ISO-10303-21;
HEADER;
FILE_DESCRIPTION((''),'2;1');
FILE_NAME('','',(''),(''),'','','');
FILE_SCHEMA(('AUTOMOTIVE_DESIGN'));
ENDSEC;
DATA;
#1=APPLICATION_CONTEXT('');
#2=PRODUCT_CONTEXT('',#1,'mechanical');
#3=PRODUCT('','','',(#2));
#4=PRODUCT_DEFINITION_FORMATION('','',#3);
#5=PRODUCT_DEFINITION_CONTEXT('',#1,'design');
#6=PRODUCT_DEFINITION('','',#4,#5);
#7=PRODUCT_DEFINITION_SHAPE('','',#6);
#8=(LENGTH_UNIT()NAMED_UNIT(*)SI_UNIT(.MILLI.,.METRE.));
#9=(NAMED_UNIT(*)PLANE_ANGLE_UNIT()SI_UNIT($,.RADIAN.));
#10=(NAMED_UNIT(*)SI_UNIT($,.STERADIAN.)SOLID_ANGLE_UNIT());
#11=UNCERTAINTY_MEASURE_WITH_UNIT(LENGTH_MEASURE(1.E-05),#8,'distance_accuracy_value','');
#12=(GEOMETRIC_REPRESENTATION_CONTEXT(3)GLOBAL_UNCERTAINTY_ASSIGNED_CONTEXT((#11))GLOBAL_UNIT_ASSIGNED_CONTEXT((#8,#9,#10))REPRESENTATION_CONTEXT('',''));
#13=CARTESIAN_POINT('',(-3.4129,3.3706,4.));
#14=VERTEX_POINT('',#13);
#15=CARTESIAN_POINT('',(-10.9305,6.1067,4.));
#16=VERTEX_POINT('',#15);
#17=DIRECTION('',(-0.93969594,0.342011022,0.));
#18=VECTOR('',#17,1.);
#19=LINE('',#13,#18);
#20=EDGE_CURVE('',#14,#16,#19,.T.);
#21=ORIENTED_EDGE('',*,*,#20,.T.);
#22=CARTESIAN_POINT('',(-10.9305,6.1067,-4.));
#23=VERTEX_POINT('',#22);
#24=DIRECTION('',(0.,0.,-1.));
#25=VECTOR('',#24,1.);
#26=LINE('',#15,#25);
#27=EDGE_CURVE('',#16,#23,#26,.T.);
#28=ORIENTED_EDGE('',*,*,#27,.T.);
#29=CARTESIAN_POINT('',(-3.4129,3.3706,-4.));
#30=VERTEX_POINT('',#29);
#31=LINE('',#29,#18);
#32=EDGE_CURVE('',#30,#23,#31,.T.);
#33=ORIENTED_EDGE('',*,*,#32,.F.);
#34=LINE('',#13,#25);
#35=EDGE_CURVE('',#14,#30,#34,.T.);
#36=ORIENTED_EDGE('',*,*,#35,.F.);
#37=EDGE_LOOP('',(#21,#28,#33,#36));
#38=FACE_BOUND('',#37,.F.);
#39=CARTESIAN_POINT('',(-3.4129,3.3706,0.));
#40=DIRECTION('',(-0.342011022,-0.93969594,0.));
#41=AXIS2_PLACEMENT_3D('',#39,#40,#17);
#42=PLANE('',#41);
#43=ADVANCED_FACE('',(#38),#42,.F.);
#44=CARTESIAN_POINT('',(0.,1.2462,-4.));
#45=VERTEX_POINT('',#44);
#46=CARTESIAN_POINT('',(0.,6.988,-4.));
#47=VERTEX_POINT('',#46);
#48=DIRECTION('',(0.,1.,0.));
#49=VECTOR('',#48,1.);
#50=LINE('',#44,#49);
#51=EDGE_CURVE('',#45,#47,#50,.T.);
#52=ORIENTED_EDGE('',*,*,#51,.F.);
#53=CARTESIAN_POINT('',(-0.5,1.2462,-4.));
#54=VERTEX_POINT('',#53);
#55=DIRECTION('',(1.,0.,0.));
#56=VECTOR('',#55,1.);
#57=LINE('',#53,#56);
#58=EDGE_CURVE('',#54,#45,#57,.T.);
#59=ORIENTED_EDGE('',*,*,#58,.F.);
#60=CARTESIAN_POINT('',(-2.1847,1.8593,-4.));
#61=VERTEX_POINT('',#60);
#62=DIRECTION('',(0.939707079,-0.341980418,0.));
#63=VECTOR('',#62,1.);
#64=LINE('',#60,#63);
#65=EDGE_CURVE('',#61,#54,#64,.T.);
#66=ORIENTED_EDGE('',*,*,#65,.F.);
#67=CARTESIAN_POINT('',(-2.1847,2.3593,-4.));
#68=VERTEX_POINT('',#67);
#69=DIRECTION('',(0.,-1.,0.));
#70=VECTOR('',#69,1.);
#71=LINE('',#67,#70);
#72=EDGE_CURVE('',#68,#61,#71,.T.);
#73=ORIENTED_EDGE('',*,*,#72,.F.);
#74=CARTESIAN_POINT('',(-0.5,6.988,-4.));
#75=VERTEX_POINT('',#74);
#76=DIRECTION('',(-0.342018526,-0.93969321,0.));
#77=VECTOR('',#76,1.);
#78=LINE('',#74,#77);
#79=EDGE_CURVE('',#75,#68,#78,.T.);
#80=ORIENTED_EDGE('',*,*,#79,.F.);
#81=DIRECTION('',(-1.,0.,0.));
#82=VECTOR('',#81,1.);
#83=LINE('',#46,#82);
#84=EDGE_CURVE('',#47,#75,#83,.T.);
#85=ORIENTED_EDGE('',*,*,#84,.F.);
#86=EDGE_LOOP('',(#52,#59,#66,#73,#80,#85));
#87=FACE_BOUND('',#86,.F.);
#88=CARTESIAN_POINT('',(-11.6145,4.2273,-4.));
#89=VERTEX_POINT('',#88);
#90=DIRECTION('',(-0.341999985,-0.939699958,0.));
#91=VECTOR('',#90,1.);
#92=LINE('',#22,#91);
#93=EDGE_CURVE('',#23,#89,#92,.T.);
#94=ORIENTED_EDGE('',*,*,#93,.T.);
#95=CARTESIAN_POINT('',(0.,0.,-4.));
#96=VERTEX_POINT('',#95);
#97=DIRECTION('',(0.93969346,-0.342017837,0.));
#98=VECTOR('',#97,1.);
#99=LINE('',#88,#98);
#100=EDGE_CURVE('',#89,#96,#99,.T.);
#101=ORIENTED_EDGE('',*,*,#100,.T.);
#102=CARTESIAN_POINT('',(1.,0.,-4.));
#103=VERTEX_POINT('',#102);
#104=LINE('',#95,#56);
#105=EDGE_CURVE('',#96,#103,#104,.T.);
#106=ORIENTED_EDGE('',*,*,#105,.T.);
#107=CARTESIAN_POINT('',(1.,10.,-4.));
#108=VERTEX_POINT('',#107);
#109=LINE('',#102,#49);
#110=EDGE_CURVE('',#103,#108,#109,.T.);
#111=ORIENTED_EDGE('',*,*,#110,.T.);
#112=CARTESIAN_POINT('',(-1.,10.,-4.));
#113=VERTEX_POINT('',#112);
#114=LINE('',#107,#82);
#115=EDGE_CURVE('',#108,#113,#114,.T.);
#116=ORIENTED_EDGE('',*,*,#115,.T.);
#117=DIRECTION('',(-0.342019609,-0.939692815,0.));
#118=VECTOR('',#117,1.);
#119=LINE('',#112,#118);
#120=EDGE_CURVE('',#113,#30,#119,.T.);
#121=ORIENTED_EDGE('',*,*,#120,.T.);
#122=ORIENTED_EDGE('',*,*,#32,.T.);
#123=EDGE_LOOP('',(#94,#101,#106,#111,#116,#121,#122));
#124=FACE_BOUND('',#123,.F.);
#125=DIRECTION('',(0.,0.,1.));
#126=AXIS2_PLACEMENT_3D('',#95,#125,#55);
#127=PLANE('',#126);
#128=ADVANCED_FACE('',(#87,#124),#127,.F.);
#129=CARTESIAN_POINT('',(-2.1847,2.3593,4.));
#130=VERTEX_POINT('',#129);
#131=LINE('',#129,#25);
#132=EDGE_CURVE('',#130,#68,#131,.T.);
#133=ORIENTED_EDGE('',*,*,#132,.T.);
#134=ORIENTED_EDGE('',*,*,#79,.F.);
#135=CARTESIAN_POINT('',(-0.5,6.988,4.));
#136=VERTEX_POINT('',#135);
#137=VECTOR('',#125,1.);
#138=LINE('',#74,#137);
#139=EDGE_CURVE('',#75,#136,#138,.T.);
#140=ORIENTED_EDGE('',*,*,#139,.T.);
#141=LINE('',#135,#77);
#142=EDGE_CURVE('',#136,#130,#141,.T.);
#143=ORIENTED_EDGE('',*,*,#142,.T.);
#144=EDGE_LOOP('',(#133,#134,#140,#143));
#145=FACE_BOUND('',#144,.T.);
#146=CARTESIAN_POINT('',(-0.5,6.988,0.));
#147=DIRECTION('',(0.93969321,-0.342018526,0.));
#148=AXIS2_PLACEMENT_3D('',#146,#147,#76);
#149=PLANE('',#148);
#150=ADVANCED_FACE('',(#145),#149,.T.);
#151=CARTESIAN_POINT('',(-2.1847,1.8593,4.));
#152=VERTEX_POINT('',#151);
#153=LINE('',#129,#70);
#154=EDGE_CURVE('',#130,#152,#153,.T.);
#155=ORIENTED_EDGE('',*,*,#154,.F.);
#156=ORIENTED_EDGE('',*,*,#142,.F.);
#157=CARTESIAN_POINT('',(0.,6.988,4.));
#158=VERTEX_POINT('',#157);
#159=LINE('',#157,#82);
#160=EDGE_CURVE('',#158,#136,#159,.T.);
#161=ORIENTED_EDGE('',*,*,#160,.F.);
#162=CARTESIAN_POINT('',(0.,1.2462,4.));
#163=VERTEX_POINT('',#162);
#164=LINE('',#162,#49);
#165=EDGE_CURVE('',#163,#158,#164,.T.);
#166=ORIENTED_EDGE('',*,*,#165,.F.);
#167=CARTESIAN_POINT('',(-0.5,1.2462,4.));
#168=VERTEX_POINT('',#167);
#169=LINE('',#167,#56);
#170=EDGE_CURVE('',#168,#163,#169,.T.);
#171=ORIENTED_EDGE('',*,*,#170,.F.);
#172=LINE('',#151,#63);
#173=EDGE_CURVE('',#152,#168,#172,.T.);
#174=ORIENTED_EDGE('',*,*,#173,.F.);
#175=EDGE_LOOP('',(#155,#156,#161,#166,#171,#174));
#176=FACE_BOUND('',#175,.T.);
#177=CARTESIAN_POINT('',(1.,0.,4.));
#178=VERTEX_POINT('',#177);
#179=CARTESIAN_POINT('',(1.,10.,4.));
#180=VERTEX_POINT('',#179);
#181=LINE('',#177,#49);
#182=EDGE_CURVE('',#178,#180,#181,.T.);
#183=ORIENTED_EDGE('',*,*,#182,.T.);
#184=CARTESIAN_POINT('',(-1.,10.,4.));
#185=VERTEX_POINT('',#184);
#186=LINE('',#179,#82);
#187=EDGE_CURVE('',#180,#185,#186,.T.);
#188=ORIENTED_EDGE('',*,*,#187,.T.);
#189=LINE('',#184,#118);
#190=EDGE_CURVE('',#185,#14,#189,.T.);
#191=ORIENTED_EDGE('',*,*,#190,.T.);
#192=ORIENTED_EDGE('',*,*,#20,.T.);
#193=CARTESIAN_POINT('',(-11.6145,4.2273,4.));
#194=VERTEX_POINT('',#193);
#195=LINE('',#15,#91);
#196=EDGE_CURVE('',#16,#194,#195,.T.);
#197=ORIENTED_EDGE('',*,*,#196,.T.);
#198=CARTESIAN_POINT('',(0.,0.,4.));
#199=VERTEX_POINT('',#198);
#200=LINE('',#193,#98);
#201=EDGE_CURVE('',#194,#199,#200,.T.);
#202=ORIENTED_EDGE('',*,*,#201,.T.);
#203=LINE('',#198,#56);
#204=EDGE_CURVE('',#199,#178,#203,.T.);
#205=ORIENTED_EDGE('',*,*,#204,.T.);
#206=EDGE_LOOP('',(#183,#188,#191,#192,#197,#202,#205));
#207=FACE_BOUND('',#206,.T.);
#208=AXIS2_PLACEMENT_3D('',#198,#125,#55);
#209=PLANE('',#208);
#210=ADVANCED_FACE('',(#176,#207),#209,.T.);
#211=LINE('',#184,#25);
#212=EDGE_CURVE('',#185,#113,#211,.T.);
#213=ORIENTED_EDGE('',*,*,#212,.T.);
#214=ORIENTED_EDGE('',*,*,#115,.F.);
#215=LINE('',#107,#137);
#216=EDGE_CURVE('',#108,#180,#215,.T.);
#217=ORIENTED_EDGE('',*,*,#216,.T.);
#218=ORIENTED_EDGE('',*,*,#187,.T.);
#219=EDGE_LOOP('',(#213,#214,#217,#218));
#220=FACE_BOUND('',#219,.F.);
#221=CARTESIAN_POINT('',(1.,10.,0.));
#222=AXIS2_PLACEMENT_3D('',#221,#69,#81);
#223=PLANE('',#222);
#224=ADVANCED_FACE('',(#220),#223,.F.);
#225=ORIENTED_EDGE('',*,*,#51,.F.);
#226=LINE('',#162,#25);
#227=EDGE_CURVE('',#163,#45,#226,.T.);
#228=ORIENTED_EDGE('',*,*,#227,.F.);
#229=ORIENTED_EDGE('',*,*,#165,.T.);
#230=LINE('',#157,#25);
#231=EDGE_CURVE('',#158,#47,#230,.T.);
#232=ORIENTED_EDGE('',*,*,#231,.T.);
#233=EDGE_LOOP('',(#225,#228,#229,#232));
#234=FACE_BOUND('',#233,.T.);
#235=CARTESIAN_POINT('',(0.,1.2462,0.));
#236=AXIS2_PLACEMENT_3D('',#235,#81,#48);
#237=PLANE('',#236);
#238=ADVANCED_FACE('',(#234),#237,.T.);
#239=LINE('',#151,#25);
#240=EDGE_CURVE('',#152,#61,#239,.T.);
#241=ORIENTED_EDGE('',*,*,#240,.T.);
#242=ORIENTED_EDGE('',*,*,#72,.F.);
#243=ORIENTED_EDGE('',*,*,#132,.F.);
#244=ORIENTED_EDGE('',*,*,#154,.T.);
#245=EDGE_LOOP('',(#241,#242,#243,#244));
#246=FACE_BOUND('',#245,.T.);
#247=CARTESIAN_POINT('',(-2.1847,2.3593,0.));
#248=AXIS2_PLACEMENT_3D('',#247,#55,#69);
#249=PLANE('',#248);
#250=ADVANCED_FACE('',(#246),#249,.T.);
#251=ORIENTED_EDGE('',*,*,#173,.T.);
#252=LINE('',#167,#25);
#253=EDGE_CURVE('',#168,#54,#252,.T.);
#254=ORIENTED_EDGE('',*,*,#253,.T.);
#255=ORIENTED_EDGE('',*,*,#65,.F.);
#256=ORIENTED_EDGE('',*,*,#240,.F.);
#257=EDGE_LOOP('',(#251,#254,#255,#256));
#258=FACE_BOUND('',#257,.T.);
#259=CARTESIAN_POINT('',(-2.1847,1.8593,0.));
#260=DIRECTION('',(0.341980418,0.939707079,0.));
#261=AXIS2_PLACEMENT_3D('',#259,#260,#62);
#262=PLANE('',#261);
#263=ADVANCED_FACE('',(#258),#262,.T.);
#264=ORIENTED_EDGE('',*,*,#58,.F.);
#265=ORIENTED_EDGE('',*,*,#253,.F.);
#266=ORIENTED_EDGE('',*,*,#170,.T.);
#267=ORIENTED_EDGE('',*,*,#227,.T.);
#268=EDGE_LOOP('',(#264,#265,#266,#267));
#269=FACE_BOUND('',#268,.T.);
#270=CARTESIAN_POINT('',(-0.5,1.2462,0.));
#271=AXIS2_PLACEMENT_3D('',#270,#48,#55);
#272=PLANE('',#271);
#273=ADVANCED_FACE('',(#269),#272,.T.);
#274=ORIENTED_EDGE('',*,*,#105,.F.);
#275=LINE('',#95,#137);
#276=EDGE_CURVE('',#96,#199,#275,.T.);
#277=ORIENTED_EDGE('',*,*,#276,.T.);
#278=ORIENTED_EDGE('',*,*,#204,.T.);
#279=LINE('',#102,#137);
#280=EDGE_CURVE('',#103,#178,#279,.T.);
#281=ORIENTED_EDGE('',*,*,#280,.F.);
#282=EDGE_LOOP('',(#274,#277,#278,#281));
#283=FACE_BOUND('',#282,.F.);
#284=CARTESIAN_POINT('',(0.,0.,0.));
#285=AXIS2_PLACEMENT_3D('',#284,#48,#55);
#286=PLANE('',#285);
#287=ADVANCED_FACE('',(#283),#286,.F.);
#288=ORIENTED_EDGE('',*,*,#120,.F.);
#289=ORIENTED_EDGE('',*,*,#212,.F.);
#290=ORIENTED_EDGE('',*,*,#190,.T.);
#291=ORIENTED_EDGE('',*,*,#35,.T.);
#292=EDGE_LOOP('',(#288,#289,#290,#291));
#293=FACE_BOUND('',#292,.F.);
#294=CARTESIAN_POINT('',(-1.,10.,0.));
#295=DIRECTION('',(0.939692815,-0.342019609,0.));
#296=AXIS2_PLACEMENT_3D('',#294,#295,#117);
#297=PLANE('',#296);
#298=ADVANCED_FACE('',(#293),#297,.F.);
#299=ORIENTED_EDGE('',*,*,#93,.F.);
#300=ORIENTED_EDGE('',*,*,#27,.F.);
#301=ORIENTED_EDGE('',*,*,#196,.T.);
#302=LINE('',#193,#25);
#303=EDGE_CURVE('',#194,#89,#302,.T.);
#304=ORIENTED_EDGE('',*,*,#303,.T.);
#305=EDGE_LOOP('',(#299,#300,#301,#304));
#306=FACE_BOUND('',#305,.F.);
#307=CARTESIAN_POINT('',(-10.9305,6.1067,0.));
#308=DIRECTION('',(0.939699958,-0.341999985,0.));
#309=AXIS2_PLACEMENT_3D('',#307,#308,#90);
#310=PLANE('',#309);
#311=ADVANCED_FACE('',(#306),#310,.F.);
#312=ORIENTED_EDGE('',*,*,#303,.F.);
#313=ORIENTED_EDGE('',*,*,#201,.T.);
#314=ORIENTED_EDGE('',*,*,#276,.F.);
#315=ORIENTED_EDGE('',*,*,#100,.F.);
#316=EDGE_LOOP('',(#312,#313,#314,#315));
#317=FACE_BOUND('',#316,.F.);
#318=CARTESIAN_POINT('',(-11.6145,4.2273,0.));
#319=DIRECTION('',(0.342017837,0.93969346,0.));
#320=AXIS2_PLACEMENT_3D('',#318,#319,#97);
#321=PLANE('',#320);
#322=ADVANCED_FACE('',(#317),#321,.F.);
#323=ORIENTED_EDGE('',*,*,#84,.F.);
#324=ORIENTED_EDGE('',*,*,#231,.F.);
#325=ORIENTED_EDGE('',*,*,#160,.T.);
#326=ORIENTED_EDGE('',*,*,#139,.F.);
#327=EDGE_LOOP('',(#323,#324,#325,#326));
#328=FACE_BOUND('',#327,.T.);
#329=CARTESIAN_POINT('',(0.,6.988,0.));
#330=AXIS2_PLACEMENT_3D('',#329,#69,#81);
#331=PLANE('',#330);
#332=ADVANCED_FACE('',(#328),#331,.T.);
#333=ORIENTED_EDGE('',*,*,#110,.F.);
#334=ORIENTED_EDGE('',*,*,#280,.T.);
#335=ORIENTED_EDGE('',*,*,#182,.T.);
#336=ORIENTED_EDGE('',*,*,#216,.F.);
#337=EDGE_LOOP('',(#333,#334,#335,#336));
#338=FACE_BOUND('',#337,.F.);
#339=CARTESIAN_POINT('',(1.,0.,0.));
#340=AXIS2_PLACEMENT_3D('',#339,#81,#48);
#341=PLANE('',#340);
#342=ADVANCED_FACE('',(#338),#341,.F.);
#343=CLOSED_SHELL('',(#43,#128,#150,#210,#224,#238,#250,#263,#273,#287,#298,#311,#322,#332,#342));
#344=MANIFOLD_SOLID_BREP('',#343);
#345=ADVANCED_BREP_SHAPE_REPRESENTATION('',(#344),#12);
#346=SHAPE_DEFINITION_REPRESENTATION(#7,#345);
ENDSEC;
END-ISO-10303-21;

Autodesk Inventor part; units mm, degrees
ref_plane "YZ Plane" through (0, 0, 0) normal (1, 0, 0) x (0, 1, 0)
ref_plane "XZ Plane" through (0, 0, 0) normal (0, 1, 0) x (-1, 0, 0)
ref_plane "XY Plane" through (0, 0, 0) normal (0, 0, 1) x (1, 0, 0)
sketch "Sketch1" plane through (0, 0, 0) normal (0, 0, 1) x (1, 0, 0)
  line L0 (0, 0) -> (1, 0)
  line L1 (1, 0) -> (1, 10)
  line L2 (1, 10) -> (-1, 10)
  line L3 (-1, 10) -> (-3.4129, 3.3706)
  line L4 (-3.4129, 3.3706) -> (-10.9305, 6.1067)
  line L5 (-10.9305, 6.1067) -> (-11.6145, 4.2273)
  line L6 (-11.6145, 4.2273) -> (0, 0)
  line L7 (-0.5, 6.988) -> (-2.1847, 2.3593)
  line L8 (-2.1847, 2.3593) -> (-2.1847, 1.8593)
  line L9 (-2.1847, 1.8593) -> (-0.5, 1.2462)
  line L10 (-0.5, 1.2462) -> (0, 1.2462)
  line L11 (0, 1.2462) -> (0, 6.988)
  line L12 (0, 6.988) -> (-0.5, 6.988)
  dimension "d0" = 70
  dimension "d1" = 2
  dimension "d2" = 2
  dimension "d3" = 8
  dimension "d4" = 10
  dimension "d5" = 1
  dimension "d6" = 0.5
  dimension "d7" = 0.5
  dimension "d8" = 0.5
  dimension "d9" = 1
  dimension "d11" = 1.5
  dimension "d12" = 1
extrude "Extrusion1" add sketch "Sketch1" along normal mid plane 8
properties part number "LEDbracket"
